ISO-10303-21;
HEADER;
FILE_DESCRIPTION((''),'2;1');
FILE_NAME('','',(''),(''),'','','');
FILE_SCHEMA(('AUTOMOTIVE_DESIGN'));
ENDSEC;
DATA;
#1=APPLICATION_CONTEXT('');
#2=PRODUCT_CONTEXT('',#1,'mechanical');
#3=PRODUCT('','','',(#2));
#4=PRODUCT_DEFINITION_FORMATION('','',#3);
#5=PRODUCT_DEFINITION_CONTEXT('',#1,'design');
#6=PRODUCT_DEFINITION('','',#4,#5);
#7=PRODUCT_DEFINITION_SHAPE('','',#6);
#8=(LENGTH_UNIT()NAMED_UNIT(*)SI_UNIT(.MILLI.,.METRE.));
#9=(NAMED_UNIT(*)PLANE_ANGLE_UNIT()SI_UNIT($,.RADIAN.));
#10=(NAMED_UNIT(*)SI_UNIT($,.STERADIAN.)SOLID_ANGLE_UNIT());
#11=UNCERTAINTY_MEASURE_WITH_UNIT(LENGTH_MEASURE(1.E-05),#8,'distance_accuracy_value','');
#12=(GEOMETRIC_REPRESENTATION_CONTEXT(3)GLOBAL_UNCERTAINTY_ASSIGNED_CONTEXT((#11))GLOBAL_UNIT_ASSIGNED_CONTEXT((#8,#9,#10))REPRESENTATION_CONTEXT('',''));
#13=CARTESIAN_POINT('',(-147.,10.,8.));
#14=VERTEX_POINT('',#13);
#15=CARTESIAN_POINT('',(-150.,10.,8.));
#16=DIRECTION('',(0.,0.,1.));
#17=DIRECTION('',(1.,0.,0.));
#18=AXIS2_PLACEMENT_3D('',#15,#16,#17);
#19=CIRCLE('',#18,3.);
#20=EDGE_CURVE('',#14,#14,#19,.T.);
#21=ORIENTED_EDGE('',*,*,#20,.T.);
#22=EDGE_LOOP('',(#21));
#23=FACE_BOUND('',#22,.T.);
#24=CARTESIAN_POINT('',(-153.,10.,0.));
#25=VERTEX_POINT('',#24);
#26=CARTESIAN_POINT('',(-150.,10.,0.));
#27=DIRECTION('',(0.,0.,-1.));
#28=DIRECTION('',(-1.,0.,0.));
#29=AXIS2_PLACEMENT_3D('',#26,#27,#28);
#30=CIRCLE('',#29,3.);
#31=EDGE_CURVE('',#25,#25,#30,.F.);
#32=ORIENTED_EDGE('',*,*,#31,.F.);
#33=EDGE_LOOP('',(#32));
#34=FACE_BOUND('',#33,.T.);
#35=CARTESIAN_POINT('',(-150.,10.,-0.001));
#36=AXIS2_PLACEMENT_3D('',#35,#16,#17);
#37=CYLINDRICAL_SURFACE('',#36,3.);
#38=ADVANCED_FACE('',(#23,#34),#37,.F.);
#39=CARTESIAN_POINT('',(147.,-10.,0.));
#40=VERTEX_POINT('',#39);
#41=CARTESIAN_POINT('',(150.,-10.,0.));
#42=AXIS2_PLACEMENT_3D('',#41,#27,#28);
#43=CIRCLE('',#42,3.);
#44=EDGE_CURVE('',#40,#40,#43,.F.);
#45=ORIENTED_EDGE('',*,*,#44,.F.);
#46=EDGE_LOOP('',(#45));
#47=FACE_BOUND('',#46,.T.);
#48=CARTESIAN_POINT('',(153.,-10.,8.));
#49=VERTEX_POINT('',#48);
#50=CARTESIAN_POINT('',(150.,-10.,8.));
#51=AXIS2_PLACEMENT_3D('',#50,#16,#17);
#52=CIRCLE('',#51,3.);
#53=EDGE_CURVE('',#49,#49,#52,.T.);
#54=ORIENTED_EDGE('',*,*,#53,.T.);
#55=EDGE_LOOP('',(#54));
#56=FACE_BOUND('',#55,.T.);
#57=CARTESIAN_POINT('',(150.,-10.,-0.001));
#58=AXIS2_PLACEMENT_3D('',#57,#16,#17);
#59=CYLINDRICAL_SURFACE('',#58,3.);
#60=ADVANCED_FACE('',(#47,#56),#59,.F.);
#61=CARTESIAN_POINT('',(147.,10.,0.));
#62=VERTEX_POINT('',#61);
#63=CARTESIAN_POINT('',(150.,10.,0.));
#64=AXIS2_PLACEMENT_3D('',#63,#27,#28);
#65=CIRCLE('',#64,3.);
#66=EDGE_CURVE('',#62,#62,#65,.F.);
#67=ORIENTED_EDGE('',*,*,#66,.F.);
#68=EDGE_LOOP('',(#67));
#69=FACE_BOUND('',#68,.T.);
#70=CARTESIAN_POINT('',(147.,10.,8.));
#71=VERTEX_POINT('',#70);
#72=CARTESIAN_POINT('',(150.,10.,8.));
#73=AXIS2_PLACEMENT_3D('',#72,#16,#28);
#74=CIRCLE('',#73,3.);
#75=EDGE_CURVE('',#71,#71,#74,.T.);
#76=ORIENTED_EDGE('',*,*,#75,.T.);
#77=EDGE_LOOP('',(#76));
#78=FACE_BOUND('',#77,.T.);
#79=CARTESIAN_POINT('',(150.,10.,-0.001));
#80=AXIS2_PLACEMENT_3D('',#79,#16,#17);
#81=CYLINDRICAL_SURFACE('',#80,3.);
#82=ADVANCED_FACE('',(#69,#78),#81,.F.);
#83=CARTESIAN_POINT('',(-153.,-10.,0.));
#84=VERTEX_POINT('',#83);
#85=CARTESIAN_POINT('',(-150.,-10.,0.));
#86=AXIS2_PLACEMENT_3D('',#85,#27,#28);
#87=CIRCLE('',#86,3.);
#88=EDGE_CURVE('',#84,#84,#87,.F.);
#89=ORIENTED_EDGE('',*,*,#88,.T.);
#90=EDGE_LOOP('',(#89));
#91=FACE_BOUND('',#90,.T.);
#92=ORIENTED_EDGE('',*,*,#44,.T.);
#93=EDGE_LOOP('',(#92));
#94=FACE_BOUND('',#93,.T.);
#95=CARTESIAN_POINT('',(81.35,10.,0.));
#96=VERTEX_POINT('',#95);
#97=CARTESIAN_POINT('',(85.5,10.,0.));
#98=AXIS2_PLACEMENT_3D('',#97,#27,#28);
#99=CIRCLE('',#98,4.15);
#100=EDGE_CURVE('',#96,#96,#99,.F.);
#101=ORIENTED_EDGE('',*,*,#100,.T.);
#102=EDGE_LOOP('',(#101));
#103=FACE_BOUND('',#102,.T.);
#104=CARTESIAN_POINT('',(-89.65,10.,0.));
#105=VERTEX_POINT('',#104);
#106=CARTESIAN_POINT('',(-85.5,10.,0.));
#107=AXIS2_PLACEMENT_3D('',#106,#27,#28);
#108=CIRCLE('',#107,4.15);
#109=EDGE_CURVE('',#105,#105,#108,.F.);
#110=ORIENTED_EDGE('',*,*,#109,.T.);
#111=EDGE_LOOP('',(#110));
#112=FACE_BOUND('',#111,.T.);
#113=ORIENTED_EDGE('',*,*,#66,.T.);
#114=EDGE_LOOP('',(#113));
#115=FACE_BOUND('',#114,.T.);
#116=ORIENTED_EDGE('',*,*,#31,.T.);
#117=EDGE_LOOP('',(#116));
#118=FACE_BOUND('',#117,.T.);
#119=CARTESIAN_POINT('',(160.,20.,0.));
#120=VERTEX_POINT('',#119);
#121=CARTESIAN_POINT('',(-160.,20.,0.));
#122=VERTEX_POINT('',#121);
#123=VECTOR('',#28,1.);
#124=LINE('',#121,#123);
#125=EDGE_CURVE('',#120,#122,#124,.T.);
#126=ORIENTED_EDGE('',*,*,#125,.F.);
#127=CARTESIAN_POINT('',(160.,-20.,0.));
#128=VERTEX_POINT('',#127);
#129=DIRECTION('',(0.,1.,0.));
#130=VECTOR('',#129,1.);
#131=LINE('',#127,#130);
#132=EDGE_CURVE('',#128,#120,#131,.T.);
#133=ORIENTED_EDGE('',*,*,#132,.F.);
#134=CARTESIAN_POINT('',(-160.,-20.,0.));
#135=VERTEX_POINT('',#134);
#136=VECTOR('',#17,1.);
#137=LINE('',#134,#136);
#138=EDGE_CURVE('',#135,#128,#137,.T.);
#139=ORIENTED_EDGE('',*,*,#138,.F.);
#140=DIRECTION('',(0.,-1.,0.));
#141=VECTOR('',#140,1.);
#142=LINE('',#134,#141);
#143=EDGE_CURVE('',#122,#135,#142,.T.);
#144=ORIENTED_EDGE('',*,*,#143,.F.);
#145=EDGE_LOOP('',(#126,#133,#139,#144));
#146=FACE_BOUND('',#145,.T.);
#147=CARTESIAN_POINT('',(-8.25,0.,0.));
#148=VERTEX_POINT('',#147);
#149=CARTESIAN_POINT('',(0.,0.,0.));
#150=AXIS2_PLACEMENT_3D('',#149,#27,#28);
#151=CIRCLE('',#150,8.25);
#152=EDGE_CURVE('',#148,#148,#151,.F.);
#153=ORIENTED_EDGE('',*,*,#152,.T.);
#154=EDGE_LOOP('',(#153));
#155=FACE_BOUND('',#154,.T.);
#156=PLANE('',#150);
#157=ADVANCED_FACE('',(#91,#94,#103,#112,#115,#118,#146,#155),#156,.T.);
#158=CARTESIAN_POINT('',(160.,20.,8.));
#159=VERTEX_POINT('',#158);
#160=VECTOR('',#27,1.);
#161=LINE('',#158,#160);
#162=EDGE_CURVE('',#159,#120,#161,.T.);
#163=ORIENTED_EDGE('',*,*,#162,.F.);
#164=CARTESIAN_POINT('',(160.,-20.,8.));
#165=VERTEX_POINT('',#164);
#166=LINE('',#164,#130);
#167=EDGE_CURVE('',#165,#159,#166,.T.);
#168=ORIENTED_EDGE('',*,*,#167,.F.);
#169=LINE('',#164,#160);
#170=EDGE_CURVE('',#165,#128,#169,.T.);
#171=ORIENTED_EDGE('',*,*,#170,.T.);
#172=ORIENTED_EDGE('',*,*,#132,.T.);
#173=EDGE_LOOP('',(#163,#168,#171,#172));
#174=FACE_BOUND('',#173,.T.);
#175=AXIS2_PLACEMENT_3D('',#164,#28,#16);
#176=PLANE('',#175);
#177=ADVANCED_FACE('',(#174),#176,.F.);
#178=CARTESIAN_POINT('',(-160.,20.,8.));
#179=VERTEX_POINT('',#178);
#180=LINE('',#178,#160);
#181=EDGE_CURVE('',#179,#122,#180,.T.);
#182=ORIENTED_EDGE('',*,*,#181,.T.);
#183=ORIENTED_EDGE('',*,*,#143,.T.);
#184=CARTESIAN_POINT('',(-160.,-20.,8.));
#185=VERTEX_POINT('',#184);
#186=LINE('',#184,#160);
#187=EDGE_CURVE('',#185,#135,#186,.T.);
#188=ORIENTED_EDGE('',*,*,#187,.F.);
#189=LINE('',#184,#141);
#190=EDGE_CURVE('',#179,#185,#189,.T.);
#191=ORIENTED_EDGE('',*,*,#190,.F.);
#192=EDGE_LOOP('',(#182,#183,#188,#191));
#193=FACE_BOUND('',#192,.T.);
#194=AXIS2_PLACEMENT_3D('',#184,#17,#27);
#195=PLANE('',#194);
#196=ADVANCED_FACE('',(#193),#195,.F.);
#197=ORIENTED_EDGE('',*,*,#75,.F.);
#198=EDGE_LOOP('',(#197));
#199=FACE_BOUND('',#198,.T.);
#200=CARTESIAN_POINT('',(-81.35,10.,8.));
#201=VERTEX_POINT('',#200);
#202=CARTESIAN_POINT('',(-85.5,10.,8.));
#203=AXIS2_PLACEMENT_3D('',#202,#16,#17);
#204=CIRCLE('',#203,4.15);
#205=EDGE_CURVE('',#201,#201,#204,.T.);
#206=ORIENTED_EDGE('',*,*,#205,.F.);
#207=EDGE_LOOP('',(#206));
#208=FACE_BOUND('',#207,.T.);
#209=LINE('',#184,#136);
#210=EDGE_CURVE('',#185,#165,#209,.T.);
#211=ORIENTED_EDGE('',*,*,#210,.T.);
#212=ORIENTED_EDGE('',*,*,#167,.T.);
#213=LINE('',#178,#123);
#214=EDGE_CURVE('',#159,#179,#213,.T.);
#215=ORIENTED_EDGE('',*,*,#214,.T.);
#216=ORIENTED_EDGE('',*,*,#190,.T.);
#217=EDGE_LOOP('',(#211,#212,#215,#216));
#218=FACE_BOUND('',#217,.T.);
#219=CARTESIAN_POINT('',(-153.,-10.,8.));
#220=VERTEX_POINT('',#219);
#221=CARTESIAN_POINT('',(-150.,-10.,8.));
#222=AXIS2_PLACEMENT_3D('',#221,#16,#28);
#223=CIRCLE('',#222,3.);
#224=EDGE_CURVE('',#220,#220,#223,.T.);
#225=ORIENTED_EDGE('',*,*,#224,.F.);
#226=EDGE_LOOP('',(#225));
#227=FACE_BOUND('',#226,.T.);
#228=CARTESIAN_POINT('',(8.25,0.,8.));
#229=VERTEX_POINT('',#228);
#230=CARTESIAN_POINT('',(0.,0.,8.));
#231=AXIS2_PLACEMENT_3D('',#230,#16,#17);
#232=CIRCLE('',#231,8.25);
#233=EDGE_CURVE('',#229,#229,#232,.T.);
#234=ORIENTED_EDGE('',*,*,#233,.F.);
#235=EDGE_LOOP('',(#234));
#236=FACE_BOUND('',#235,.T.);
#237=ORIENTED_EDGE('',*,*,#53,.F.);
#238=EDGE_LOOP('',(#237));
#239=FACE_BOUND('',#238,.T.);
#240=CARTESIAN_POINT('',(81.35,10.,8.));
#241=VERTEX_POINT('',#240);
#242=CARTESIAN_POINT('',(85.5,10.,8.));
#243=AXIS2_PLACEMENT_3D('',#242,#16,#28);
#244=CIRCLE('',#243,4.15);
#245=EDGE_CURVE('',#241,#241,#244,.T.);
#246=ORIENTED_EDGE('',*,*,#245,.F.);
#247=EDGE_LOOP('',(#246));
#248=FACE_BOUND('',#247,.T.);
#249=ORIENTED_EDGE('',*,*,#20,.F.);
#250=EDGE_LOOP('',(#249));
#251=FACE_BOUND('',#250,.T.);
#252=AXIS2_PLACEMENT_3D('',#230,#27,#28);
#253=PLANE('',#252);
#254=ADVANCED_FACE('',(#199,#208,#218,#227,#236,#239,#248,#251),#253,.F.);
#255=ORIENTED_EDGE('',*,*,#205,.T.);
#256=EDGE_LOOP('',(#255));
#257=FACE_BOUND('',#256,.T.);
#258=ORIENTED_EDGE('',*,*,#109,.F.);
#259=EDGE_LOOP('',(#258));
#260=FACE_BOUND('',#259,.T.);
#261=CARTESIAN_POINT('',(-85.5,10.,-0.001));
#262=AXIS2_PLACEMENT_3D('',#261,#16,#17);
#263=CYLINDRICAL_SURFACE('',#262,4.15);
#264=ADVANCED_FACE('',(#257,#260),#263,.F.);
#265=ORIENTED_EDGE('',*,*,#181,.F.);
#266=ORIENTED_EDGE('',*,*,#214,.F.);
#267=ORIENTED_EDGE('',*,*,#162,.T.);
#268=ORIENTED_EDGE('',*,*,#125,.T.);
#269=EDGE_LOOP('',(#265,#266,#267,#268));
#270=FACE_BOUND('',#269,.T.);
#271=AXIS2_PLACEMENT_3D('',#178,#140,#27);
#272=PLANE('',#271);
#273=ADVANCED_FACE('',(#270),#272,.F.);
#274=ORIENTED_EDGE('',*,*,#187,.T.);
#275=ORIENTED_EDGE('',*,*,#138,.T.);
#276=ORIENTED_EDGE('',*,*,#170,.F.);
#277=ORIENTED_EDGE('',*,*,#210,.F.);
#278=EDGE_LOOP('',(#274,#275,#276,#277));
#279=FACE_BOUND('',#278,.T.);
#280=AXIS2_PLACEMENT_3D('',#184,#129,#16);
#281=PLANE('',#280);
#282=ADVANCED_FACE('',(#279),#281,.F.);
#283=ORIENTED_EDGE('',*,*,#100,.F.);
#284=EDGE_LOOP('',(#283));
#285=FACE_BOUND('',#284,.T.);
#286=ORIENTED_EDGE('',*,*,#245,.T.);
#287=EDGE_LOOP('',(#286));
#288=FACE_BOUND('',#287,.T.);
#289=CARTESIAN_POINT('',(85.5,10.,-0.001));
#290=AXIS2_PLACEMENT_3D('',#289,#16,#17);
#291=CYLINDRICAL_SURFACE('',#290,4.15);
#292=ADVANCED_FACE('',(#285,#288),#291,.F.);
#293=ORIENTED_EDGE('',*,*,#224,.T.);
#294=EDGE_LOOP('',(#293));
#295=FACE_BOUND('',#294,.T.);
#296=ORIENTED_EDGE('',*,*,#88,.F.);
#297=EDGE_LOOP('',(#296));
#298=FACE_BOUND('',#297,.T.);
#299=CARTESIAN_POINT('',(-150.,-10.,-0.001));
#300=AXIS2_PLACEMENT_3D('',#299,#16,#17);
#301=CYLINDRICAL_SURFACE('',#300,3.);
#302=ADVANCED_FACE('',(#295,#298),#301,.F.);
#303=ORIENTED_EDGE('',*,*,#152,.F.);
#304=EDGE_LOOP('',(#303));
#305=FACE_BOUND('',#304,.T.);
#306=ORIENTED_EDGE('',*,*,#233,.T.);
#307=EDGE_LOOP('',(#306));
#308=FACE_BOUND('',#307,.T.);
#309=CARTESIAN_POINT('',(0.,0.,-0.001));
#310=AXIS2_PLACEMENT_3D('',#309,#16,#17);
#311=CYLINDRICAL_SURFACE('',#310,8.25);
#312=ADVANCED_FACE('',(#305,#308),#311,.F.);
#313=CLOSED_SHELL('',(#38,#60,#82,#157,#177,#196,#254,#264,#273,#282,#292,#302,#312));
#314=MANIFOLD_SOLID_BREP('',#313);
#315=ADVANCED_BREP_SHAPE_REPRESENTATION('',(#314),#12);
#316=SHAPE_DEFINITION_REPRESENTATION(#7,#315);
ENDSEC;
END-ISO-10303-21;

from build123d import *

# Parameters (mm, degrees)
SKETCH1_W           = 320
SKETCH1_H           = 40
BOSS_EXTRUDE1_DEPTH = 8
CUT_EXTRUDE1_REACH  = 10
SKETCH2_R           = 3
CUT_EXTRUDE2_REACH  = 10
SKETCH3_R           = 4.15
SKETCH3_R_2         = 8.25


with BuildPart() as part:
    # Sketch1 → Boss-Extrude1 (new body)
    with BuildSketch(Plane.XY):
        Rectangle(SKETCH1_W, SKETCH1_H)
    extrude(amount=BOSS_EXTRUDE1_DEPTH)

    # Sketch2 → Cut-Extrude1 (cut, up to next)
    with BuildSketch(Plane.XY.offset(8), mode=Mode.PRIVATE) as cut_extrude1_sk1:
        with Locations((-150, 10)):
            Circle(SKETCH2_R)
    cut_extrude1_tool1 = extrude(cut_extrude1_sk1.sketch, amount=-CUT_EXTRUDE1_REACH, mode=Mode.PRIVATE) & part.part
    add(cut_extrude1_tool1.solids().sort_by_distance((-150, 10, 8))[0], mode=Mode.SUBTRACT)
    # Sketch2 → Cut-Extrude1 (cut, up to next)
    with BuildSketch(Plane.XY.offset(8), mode=Mode.PRIVATE) as cut_extrude1_sk2:
        with Locations((-150, -10)):
            Circle(SKETCH2_R)
    cut_extrude1_tool2 = extrude(cut_extrude1_sk2.sketch, amount=-CUT_EXTRUDE1_REACH, mode=Mode.PRIVATE) & part.part
    add(cut_extrude1_tool2.solids().sort_by_distance((-150, -10, 8))[0], mode=Mode.SUBTRACT)
    # Sketch2 → Cut-Extrude1 (cut, up to next)
    with BuildSketch(Plane.XY.offset(8), mode=Mode.PRIVATE) as cut_extrude1_sk3:
        with Locations((150, -10)):
            Circle(SKETCH2_R)
    cut_extrude1_tool3 = extrude(cut_extrude1_sk3.sketch, amount=-CUT_EXTRUDE1_REACH, mode=Mode.PRIVATE) & part.part
    add(cut_extrude1_tool3.solids().sort_by_distance((150, -10, 8))[0], mode=Mode.SUBTRACT)
    # Sketch2 → Cut-Extrude1 (cut, up to next)
    with BuildSketch(Plane.XY.offset(8), mode=Mode.PRIVATE) as cut_extrude1_sk4:
        with Locations((150, 10)):
            Circle(SKETCH2_R)
    cut_extrude1_tool4 = extrude(cut_extrude1_sk4.sketch, amount=-CUT_EXTRUDE1_REACH, mode=Mode.PRIVATE) & part.part
    add(cut_extrude1_tool4.solids().sort_by_distance((150, 10, 8))[0], mode=Mode.SUBTRACT)

    # Sketch3 → Cut-Extrude2 (cut, up to next)
    with BuildSketch(Plane.XY.offset(8), mode=Mode.PRIVATE) as cut_extrude2_sk1:
        with Locations((-85.5, 10)):
            Circle(SKETCH3_R)
    cut_extrude2_tool1 = extrude(cut_extrude2_sk1.sketch, amount=-CUT_EXTRUDE2_REACH, mode=Mode.PRIVATE) & part.part
    add(cut_extrude2_tool1.solids().sort_by_distance((-85.5, 10, 8))[0], mode=Mode.SUBTRACT)
    # Sketch3 → Cut-Extrude2 (cut, up to next)
    with BuildSketch(Plane.XY.offset(8), mode=Mode.PRIVATE) as cut_extrude2_sk2:
        with Locations((85.5, 10)):
            Circle(SKETCH3_R)
    cut_extrude2_tool2 = extrude(cut_extrude2_sk2.sketch, amount=-CUT_EXTRUDE2_REACH, mode=Mode.PRIVATE) & part.part
    add(cut_extrude2_tool2.solids().sort_by_distance((85.5, 10, 8))[0], mode=Mode.SUBTRACT)
    # Sketch3 → Cut-Extrude2 (cut, up to next)
    with BuildSketch(Plane.XY.offset(8), mode=Mode.PRIVATE) as cut_extrude2_sk3:
        Circle(SKETCH3_R_2)
    cut_extrude2_tool3 = extrude(cut_extrude2_sk3.sketch, amount=-CUT_EXTRUDE2_REACH, mode=Mode.PRIVATE) & part.part
    add(cut_extrude2_tool3.solids().sort_by_distance((0, 0, 8))[0], mode=Mode.SUBTRACT)


solid = part.part
